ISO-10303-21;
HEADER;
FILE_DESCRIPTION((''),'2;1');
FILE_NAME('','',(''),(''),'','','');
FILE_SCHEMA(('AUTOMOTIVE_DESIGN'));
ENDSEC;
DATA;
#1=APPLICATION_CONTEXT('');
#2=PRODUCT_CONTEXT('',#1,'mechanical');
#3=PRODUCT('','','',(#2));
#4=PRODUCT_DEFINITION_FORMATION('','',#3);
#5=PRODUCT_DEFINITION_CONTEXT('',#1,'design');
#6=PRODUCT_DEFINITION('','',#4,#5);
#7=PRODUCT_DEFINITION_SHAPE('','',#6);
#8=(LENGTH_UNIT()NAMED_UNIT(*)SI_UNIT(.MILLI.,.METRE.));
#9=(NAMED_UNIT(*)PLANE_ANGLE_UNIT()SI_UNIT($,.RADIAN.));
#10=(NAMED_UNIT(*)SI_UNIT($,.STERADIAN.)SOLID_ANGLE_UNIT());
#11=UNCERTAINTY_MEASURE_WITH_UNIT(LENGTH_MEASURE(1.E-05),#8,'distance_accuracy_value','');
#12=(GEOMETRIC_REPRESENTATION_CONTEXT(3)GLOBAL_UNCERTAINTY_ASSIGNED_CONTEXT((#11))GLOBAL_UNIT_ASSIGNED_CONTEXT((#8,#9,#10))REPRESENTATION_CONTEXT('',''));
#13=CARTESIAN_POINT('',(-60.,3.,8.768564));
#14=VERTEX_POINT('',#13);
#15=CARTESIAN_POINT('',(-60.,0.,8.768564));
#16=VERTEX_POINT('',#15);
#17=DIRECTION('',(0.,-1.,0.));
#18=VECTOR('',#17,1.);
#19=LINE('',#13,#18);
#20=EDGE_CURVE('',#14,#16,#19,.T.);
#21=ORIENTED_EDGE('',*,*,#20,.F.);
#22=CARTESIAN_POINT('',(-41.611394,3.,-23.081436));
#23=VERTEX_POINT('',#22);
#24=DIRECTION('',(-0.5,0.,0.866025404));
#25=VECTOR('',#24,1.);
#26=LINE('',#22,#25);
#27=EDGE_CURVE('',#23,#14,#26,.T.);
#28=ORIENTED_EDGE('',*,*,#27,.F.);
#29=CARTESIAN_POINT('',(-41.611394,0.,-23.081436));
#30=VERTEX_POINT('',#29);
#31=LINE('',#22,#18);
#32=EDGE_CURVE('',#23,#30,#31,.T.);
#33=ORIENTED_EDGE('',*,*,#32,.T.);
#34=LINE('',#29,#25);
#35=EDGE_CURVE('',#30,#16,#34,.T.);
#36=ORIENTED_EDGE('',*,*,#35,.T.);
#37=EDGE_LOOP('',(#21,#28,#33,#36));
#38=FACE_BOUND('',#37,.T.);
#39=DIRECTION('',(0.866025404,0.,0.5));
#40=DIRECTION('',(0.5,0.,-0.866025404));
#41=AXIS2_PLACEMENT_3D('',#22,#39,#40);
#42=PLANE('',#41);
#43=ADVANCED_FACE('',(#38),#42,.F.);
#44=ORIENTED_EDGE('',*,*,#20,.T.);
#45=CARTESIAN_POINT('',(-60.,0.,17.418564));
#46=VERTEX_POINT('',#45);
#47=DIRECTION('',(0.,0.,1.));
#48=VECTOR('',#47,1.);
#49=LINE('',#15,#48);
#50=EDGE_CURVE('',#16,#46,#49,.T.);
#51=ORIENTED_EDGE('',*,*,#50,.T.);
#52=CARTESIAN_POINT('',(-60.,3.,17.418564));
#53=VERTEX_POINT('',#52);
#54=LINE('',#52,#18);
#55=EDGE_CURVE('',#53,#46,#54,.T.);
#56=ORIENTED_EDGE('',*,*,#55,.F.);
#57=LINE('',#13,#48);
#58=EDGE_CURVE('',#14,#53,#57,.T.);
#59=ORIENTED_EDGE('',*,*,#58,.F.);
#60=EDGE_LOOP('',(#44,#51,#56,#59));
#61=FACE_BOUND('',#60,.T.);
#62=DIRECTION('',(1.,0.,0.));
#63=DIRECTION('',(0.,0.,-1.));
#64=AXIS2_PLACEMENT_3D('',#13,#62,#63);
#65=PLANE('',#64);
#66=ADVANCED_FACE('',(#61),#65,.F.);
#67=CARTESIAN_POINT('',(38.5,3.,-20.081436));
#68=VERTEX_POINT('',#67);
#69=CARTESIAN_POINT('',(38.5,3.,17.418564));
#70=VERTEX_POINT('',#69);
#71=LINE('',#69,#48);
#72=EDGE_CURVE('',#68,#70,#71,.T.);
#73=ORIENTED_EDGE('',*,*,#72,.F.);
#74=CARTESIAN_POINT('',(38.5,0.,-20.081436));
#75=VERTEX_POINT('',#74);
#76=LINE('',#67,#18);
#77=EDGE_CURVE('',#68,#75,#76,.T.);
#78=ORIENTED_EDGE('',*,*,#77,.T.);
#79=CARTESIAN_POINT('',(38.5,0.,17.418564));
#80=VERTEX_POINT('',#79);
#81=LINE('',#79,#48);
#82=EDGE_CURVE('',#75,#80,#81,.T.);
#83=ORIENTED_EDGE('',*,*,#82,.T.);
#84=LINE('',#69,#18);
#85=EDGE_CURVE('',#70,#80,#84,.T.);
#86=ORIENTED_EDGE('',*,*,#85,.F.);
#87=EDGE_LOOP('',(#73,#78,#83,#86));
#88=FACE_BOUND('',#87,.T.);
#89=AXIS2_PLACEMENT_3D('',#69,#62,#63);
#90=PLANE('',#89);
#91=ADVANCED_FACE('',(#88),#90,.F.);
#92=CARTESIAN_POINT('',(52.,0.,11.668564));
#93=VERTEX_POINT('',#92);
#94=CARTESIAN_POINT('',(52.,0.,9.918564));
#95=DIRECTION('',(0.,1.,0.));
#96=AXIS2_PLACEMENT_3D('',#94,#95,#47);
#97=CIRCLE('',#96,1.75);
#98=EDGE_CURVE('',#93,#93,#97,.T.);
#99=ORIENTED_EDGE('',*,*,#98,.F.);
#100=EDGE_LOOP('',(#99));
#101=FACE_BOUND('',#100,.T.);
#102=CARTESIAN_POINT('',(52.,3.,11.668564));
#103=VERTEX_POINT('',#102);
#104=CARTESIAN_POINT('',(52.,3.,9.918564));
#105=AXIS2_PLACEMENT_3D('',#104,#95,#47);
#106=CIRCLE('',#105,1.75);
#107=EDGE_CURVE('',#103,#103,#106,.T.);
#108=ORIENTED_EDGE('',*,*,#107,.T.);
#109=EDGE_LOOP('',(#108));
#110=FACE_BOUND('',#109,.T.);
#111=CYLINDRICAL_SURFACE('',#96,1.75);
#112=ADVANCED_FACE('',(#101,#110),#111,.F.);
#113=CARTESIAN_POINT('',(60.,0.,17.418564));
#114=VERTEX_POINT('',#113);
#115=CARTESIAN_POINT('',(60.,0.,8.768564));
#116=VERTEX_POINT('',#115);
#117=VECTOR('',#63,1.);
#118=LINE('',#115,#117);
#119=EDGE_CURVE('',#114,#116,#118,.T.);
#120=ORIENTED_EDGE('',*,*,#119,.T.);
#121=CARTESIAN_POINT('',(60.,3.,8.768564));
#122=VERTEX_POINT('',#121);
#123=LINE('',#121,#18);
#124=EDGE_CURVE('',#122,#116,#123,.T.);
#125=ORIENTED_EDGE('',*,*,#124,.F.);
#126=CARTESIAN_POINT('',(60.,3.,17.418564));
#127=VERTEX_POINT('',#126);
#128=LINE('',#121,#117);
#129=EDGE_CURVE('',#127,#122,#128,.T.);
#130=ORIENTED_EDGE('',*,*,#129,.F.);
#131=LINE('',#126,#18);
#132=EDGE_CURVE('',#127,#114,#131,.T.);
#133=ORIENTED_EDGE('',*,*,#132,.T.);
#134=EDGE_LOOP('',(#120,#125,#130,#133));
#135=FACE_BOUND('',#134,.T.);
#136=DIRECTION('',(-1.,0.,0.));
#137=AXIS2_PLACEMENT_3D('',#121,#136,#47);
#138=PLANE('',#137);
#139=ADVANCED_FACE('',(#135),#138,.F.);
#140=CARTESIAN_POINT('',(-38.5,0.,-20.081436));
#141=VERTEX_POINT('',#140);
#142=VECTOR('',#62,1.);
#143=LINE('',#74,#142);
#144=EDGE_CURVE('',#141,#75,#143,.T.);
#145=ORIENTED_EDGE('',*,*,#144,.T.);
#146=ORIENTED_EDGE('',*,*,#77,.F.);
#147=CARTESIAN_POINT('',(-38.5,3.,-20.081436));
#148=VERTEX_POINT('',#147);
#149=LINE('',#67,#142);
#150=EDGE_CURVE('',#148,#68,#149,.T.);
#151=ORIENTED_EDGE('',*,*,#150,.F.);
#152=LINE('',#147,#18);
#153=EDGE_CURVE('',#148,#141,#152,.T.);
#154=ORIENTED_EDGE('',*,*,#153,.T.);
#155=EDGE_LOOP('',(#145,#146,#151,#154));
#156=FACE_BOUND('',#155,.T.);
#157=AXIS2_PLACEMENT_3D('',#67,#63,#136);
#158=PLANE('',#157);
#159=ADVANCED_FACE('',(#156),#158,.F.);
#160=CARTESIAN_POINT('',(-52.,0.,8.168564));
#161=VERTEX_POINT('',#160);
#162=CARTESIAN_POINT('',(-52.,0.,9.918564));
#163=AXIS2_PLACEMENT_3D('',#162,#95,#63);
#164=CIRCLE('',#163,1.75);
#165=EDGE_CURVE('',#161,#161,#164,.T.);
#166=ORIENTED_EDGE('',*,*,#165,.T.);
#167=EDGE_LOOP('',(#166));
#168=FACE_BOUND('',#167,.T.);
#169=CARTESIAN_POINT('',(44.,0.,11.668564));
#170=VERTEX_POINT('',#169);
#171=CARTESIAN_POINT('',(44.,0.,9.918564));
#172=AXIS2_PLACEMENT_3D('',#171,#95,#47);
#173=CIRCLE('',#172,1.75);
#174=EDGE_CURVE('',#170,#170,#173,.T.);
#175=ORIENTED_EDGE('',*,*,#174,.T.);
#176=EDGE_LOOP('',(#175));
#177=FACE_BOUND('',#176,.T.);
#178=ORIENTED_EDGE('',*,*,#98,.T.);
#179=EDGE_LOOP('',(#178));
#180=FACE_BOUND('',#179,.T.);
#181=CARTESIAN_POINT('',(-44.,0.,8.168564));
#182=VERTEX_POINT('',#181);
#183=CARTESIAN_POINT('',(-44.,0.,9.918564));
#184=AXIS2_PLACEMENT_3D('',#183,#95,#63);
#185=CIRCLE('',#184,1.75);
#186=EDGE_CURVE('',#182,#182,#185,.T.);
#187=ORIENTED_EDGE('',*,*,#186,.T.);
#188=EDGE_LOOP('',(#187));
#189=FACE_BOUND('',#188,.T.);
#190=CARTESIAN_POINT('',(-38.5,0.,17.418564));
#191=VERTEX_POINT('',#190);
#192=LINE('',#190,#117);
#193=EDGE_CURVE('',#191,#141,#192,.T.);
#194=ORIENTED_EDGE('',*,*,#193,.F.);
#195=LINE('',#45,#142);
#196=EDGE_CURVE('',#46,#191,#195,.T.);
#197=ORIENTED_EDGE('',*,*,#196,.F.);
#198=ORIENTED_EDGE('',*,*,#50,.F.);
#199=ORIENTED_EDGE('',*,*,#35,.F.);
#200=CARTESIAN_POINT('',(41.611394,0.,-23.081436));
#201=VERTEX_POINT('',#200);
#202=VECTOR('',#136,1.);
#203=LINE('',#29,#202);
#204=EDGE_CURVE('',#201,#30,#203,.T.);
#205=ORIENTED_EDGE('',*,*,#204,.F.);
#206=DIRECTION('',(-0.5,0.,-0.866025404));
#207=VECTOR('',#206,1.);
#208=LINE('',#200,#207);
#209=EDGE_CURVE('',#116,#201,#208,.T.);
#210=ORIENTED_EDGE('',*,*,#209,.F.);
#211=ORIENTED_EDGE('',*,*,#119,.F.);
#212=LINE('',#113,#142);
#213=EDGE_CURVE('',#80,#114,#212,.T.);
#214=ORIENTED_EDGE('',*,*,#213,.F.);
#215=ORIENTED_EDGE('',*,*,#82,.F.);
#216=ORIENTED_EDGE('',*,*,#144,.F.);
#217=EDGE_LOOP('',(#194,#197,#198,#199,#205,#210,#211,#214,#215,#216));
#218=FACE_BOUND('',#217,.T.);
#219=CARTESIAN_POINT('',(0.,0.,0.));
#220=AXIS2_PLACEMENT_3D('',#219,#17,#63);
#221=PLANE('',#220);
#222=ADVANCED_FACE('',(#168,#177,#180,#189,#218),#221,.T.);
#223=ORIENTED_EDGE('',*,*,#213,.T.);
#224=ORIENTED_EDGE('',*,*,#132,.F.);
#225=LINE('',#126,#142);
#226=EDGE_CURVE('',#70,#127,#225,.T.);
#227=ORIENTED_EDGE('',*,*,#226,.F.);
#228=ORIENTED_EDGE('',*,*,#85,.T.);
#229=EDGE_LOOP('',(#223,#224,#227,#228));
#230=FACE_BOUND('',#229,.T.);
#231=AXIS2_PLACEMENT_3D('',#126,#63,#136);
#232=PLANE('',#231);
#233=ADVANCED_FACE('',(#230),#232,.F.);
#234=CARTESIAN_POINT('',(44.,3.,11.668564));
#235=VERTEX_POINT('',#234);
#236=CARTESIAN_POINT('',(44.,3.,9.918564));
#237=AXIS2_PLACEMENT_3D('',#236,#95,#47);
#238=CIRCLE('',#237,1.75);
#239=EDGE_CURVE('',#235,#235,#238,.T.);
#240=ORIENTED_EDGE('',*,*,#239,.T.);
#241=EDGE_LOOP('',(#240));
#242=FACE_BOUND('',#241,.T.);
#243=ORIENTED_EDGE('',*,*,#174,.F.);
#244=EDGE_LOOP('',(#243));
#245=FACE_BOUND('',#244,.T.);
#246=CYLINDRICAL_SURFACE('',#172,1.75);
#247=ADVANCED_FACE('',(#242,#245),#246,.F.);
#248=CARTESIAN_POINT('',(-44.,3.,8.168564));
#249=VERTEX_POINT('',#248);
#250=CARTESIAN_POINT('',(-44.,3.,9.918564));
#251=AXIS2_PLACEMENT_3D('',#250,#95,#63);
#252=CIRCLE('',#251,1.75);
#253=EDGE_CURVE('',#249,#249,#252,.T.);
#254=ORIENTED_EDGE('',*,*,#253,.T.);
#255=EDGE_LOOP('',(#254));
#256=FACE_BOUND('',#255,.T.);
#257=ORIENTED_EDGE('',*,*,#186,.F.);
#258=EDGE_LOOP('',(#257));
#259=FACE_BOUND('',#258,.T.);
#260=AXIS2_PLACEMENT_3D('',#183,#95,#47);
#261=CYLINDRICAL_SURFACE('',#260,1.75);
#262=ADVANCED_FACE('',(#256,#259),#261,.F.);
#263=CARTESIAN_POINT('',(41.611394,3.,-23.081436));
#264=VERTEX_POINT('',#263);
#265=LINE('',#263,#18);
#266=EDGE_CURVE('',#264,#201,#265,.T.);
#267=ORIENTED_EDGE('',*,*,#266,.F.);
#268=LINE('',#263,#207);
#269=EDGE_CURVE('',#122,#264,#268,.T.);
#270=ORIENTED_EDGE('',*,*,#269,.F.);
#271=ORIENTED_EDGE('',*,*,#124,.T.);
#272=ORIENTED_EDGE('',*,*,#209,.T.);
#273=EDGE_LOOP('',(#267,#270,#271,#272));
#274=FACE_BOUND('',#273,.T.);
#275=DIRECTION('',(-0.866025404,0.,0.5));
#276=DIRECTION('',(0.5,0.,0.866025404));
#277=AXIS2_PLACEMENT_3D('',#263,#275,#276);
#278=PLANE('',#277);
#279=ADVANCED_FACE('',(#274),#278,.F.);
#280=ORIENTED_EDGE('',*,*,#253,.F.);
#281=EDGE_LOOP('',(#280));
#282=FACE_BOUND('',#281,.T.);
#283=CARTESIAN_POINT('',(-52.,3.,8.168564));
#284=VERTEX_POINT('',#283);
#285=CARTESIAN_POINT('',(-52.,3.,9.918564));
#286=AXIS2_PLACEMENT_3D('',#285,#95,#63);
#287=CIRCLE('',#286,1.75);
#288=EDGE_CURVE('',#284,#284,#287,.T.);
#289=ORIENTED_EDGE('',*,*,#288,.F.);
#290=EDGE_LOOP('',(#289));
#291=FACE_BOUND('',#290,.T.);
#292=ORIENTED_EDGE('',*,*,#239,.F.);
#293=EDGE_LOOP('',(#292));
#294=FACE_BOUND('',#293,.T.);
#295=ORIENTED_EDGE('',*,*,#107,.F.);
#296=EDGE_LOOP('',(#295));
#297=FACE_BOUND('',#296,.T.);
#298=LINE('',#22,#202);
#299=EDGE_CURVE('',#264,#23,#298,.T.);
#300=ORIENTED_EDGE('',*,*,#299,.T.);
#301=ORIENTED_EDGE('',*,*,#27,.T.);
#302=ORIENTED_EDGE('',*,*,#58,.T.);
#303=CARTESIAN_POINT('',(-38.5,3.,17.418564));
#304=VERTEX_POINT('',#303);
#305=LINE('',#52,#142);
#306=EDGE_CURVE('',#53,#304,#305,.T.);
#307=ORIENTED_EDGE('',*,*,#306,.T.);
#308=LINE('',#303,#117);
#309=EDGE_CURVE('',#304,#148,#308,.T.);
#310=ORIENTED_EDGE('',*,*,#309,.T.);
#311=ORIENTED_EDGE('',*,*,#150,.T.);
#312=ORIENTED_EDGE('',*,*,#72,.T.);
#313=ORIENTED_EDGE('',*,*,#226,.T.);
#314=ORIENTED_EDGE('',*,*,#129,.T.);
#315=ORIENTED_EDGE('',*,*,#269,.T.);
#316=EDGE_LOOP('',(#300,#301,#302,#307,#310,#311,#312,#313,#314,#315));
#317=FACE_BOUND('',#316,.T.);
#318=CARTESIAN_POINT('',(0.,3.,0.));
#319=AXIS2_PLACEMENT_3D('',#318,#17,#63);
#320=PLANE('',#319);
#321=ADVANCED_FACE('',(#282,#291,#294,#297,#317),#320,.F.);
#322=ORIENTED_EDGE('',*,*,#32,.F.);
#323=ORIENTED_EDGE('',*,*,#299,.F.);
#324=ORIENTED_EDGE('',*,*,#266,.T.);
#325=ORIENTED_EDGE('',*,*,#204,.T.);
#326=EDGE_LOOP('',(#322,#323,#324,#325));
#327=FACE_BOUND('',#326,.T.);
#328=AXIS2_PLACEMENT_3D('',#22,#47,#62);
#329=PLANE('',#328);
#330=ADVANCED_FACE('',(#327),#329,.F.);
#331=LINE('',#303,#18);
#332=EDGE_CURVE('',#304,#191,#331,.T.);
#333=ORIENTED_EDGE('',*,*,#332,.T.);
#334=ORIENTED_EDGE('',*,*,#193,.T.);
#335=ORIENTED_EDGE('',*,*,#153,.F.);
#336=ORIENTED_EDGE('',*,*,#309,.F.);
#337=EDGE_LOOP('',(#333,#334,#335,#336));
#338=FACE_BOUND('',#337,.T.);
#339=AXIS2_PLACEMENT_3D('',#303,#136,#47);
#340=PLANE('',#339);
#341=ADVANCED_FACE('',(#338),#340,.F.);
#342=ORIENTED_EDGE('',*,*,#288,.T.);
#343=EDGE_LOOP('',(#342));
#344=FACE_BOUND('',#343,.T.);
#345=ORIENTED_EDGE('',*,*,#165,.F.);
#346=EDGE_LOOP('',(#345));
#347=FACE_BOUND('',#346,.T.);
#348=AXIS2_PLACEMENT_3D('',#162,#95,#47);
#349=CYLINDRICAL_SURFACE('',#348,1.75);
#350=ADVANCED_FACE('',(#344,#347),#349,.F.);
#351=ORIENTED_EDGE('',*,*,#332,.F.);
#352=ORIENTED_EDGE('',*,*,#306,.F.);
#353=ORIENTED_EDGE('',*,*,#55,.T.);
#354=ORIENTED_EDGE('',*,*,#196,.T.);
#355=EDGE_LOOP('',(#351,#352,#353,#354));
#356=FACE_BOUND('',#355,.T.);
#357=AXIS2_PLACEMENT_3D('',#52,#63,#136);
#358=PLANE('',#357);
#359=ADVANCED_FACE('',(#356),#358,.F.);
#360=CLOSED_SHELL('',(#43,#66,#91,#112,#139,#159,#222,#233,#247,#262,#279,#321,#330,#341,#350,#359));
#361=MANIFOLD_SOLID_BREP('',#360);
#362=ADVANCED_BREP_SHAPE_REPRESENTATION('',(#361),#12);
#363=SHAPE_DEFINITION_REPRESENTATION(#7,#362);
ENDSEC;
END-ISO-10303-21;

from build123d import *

# Parameters (mm, degrees)
BOSS_EXTRUDE1_DEPTH = 3
SKETCH2_R           = 1.75
CUT_EXTRUDE1_DEPTH  = 65.356450115


with BuildPart() as part:
    # Sketch1 → Boss-Extrude1 (new body)
    with BuildSketch(Plane(origin=(0, 0, 0), x_dir=(1, 0, 0), z_dir=(0, 1, 0))):
        Polygon((-41.611393926, 23.081435644), (41.611393926, 23.081435644), (60, -8.768564356), (60, -17.418564356), (38.5, -17.418564356), (38.5, 20.081435644), (-38.5, 20.081435644), (-38.5, -17.418564356), (-60, -17.418564356), (-60, -8.768564356), align=None)
    extrude(amount=BOSS_EXTRUDE1_DEPTH)

    # Sketch2 → Cut-Extrude1 (cut, through all)
    with BuildSketch(Plane(origin=(0, 3, 0), x_dir=(1, 0, 0), z_dir=(0, 1, 0))):
        with Locations(Location((52, -9.918564356, 0), (0, 0, 270))):
            Circle(SKETCH2_R)
        with Locations(Location((44, -9.918564356, 0), (0, 0, 270))):
            Circle(SKETCH2_R)
        with Locations(Location((-52, -9.918564356, 0), (0, 0, 90))):
            Circle(SKETCH2_R)
        with Locations(Location((-44, -9.918564356, 0), (0, 0, 90))):
            Circle(SKETCH2_R)
    extrude(amount=-CUT_EXTRUDE1_DEPTH, mode=Mode.SUBTRACT)


solid = part.part
